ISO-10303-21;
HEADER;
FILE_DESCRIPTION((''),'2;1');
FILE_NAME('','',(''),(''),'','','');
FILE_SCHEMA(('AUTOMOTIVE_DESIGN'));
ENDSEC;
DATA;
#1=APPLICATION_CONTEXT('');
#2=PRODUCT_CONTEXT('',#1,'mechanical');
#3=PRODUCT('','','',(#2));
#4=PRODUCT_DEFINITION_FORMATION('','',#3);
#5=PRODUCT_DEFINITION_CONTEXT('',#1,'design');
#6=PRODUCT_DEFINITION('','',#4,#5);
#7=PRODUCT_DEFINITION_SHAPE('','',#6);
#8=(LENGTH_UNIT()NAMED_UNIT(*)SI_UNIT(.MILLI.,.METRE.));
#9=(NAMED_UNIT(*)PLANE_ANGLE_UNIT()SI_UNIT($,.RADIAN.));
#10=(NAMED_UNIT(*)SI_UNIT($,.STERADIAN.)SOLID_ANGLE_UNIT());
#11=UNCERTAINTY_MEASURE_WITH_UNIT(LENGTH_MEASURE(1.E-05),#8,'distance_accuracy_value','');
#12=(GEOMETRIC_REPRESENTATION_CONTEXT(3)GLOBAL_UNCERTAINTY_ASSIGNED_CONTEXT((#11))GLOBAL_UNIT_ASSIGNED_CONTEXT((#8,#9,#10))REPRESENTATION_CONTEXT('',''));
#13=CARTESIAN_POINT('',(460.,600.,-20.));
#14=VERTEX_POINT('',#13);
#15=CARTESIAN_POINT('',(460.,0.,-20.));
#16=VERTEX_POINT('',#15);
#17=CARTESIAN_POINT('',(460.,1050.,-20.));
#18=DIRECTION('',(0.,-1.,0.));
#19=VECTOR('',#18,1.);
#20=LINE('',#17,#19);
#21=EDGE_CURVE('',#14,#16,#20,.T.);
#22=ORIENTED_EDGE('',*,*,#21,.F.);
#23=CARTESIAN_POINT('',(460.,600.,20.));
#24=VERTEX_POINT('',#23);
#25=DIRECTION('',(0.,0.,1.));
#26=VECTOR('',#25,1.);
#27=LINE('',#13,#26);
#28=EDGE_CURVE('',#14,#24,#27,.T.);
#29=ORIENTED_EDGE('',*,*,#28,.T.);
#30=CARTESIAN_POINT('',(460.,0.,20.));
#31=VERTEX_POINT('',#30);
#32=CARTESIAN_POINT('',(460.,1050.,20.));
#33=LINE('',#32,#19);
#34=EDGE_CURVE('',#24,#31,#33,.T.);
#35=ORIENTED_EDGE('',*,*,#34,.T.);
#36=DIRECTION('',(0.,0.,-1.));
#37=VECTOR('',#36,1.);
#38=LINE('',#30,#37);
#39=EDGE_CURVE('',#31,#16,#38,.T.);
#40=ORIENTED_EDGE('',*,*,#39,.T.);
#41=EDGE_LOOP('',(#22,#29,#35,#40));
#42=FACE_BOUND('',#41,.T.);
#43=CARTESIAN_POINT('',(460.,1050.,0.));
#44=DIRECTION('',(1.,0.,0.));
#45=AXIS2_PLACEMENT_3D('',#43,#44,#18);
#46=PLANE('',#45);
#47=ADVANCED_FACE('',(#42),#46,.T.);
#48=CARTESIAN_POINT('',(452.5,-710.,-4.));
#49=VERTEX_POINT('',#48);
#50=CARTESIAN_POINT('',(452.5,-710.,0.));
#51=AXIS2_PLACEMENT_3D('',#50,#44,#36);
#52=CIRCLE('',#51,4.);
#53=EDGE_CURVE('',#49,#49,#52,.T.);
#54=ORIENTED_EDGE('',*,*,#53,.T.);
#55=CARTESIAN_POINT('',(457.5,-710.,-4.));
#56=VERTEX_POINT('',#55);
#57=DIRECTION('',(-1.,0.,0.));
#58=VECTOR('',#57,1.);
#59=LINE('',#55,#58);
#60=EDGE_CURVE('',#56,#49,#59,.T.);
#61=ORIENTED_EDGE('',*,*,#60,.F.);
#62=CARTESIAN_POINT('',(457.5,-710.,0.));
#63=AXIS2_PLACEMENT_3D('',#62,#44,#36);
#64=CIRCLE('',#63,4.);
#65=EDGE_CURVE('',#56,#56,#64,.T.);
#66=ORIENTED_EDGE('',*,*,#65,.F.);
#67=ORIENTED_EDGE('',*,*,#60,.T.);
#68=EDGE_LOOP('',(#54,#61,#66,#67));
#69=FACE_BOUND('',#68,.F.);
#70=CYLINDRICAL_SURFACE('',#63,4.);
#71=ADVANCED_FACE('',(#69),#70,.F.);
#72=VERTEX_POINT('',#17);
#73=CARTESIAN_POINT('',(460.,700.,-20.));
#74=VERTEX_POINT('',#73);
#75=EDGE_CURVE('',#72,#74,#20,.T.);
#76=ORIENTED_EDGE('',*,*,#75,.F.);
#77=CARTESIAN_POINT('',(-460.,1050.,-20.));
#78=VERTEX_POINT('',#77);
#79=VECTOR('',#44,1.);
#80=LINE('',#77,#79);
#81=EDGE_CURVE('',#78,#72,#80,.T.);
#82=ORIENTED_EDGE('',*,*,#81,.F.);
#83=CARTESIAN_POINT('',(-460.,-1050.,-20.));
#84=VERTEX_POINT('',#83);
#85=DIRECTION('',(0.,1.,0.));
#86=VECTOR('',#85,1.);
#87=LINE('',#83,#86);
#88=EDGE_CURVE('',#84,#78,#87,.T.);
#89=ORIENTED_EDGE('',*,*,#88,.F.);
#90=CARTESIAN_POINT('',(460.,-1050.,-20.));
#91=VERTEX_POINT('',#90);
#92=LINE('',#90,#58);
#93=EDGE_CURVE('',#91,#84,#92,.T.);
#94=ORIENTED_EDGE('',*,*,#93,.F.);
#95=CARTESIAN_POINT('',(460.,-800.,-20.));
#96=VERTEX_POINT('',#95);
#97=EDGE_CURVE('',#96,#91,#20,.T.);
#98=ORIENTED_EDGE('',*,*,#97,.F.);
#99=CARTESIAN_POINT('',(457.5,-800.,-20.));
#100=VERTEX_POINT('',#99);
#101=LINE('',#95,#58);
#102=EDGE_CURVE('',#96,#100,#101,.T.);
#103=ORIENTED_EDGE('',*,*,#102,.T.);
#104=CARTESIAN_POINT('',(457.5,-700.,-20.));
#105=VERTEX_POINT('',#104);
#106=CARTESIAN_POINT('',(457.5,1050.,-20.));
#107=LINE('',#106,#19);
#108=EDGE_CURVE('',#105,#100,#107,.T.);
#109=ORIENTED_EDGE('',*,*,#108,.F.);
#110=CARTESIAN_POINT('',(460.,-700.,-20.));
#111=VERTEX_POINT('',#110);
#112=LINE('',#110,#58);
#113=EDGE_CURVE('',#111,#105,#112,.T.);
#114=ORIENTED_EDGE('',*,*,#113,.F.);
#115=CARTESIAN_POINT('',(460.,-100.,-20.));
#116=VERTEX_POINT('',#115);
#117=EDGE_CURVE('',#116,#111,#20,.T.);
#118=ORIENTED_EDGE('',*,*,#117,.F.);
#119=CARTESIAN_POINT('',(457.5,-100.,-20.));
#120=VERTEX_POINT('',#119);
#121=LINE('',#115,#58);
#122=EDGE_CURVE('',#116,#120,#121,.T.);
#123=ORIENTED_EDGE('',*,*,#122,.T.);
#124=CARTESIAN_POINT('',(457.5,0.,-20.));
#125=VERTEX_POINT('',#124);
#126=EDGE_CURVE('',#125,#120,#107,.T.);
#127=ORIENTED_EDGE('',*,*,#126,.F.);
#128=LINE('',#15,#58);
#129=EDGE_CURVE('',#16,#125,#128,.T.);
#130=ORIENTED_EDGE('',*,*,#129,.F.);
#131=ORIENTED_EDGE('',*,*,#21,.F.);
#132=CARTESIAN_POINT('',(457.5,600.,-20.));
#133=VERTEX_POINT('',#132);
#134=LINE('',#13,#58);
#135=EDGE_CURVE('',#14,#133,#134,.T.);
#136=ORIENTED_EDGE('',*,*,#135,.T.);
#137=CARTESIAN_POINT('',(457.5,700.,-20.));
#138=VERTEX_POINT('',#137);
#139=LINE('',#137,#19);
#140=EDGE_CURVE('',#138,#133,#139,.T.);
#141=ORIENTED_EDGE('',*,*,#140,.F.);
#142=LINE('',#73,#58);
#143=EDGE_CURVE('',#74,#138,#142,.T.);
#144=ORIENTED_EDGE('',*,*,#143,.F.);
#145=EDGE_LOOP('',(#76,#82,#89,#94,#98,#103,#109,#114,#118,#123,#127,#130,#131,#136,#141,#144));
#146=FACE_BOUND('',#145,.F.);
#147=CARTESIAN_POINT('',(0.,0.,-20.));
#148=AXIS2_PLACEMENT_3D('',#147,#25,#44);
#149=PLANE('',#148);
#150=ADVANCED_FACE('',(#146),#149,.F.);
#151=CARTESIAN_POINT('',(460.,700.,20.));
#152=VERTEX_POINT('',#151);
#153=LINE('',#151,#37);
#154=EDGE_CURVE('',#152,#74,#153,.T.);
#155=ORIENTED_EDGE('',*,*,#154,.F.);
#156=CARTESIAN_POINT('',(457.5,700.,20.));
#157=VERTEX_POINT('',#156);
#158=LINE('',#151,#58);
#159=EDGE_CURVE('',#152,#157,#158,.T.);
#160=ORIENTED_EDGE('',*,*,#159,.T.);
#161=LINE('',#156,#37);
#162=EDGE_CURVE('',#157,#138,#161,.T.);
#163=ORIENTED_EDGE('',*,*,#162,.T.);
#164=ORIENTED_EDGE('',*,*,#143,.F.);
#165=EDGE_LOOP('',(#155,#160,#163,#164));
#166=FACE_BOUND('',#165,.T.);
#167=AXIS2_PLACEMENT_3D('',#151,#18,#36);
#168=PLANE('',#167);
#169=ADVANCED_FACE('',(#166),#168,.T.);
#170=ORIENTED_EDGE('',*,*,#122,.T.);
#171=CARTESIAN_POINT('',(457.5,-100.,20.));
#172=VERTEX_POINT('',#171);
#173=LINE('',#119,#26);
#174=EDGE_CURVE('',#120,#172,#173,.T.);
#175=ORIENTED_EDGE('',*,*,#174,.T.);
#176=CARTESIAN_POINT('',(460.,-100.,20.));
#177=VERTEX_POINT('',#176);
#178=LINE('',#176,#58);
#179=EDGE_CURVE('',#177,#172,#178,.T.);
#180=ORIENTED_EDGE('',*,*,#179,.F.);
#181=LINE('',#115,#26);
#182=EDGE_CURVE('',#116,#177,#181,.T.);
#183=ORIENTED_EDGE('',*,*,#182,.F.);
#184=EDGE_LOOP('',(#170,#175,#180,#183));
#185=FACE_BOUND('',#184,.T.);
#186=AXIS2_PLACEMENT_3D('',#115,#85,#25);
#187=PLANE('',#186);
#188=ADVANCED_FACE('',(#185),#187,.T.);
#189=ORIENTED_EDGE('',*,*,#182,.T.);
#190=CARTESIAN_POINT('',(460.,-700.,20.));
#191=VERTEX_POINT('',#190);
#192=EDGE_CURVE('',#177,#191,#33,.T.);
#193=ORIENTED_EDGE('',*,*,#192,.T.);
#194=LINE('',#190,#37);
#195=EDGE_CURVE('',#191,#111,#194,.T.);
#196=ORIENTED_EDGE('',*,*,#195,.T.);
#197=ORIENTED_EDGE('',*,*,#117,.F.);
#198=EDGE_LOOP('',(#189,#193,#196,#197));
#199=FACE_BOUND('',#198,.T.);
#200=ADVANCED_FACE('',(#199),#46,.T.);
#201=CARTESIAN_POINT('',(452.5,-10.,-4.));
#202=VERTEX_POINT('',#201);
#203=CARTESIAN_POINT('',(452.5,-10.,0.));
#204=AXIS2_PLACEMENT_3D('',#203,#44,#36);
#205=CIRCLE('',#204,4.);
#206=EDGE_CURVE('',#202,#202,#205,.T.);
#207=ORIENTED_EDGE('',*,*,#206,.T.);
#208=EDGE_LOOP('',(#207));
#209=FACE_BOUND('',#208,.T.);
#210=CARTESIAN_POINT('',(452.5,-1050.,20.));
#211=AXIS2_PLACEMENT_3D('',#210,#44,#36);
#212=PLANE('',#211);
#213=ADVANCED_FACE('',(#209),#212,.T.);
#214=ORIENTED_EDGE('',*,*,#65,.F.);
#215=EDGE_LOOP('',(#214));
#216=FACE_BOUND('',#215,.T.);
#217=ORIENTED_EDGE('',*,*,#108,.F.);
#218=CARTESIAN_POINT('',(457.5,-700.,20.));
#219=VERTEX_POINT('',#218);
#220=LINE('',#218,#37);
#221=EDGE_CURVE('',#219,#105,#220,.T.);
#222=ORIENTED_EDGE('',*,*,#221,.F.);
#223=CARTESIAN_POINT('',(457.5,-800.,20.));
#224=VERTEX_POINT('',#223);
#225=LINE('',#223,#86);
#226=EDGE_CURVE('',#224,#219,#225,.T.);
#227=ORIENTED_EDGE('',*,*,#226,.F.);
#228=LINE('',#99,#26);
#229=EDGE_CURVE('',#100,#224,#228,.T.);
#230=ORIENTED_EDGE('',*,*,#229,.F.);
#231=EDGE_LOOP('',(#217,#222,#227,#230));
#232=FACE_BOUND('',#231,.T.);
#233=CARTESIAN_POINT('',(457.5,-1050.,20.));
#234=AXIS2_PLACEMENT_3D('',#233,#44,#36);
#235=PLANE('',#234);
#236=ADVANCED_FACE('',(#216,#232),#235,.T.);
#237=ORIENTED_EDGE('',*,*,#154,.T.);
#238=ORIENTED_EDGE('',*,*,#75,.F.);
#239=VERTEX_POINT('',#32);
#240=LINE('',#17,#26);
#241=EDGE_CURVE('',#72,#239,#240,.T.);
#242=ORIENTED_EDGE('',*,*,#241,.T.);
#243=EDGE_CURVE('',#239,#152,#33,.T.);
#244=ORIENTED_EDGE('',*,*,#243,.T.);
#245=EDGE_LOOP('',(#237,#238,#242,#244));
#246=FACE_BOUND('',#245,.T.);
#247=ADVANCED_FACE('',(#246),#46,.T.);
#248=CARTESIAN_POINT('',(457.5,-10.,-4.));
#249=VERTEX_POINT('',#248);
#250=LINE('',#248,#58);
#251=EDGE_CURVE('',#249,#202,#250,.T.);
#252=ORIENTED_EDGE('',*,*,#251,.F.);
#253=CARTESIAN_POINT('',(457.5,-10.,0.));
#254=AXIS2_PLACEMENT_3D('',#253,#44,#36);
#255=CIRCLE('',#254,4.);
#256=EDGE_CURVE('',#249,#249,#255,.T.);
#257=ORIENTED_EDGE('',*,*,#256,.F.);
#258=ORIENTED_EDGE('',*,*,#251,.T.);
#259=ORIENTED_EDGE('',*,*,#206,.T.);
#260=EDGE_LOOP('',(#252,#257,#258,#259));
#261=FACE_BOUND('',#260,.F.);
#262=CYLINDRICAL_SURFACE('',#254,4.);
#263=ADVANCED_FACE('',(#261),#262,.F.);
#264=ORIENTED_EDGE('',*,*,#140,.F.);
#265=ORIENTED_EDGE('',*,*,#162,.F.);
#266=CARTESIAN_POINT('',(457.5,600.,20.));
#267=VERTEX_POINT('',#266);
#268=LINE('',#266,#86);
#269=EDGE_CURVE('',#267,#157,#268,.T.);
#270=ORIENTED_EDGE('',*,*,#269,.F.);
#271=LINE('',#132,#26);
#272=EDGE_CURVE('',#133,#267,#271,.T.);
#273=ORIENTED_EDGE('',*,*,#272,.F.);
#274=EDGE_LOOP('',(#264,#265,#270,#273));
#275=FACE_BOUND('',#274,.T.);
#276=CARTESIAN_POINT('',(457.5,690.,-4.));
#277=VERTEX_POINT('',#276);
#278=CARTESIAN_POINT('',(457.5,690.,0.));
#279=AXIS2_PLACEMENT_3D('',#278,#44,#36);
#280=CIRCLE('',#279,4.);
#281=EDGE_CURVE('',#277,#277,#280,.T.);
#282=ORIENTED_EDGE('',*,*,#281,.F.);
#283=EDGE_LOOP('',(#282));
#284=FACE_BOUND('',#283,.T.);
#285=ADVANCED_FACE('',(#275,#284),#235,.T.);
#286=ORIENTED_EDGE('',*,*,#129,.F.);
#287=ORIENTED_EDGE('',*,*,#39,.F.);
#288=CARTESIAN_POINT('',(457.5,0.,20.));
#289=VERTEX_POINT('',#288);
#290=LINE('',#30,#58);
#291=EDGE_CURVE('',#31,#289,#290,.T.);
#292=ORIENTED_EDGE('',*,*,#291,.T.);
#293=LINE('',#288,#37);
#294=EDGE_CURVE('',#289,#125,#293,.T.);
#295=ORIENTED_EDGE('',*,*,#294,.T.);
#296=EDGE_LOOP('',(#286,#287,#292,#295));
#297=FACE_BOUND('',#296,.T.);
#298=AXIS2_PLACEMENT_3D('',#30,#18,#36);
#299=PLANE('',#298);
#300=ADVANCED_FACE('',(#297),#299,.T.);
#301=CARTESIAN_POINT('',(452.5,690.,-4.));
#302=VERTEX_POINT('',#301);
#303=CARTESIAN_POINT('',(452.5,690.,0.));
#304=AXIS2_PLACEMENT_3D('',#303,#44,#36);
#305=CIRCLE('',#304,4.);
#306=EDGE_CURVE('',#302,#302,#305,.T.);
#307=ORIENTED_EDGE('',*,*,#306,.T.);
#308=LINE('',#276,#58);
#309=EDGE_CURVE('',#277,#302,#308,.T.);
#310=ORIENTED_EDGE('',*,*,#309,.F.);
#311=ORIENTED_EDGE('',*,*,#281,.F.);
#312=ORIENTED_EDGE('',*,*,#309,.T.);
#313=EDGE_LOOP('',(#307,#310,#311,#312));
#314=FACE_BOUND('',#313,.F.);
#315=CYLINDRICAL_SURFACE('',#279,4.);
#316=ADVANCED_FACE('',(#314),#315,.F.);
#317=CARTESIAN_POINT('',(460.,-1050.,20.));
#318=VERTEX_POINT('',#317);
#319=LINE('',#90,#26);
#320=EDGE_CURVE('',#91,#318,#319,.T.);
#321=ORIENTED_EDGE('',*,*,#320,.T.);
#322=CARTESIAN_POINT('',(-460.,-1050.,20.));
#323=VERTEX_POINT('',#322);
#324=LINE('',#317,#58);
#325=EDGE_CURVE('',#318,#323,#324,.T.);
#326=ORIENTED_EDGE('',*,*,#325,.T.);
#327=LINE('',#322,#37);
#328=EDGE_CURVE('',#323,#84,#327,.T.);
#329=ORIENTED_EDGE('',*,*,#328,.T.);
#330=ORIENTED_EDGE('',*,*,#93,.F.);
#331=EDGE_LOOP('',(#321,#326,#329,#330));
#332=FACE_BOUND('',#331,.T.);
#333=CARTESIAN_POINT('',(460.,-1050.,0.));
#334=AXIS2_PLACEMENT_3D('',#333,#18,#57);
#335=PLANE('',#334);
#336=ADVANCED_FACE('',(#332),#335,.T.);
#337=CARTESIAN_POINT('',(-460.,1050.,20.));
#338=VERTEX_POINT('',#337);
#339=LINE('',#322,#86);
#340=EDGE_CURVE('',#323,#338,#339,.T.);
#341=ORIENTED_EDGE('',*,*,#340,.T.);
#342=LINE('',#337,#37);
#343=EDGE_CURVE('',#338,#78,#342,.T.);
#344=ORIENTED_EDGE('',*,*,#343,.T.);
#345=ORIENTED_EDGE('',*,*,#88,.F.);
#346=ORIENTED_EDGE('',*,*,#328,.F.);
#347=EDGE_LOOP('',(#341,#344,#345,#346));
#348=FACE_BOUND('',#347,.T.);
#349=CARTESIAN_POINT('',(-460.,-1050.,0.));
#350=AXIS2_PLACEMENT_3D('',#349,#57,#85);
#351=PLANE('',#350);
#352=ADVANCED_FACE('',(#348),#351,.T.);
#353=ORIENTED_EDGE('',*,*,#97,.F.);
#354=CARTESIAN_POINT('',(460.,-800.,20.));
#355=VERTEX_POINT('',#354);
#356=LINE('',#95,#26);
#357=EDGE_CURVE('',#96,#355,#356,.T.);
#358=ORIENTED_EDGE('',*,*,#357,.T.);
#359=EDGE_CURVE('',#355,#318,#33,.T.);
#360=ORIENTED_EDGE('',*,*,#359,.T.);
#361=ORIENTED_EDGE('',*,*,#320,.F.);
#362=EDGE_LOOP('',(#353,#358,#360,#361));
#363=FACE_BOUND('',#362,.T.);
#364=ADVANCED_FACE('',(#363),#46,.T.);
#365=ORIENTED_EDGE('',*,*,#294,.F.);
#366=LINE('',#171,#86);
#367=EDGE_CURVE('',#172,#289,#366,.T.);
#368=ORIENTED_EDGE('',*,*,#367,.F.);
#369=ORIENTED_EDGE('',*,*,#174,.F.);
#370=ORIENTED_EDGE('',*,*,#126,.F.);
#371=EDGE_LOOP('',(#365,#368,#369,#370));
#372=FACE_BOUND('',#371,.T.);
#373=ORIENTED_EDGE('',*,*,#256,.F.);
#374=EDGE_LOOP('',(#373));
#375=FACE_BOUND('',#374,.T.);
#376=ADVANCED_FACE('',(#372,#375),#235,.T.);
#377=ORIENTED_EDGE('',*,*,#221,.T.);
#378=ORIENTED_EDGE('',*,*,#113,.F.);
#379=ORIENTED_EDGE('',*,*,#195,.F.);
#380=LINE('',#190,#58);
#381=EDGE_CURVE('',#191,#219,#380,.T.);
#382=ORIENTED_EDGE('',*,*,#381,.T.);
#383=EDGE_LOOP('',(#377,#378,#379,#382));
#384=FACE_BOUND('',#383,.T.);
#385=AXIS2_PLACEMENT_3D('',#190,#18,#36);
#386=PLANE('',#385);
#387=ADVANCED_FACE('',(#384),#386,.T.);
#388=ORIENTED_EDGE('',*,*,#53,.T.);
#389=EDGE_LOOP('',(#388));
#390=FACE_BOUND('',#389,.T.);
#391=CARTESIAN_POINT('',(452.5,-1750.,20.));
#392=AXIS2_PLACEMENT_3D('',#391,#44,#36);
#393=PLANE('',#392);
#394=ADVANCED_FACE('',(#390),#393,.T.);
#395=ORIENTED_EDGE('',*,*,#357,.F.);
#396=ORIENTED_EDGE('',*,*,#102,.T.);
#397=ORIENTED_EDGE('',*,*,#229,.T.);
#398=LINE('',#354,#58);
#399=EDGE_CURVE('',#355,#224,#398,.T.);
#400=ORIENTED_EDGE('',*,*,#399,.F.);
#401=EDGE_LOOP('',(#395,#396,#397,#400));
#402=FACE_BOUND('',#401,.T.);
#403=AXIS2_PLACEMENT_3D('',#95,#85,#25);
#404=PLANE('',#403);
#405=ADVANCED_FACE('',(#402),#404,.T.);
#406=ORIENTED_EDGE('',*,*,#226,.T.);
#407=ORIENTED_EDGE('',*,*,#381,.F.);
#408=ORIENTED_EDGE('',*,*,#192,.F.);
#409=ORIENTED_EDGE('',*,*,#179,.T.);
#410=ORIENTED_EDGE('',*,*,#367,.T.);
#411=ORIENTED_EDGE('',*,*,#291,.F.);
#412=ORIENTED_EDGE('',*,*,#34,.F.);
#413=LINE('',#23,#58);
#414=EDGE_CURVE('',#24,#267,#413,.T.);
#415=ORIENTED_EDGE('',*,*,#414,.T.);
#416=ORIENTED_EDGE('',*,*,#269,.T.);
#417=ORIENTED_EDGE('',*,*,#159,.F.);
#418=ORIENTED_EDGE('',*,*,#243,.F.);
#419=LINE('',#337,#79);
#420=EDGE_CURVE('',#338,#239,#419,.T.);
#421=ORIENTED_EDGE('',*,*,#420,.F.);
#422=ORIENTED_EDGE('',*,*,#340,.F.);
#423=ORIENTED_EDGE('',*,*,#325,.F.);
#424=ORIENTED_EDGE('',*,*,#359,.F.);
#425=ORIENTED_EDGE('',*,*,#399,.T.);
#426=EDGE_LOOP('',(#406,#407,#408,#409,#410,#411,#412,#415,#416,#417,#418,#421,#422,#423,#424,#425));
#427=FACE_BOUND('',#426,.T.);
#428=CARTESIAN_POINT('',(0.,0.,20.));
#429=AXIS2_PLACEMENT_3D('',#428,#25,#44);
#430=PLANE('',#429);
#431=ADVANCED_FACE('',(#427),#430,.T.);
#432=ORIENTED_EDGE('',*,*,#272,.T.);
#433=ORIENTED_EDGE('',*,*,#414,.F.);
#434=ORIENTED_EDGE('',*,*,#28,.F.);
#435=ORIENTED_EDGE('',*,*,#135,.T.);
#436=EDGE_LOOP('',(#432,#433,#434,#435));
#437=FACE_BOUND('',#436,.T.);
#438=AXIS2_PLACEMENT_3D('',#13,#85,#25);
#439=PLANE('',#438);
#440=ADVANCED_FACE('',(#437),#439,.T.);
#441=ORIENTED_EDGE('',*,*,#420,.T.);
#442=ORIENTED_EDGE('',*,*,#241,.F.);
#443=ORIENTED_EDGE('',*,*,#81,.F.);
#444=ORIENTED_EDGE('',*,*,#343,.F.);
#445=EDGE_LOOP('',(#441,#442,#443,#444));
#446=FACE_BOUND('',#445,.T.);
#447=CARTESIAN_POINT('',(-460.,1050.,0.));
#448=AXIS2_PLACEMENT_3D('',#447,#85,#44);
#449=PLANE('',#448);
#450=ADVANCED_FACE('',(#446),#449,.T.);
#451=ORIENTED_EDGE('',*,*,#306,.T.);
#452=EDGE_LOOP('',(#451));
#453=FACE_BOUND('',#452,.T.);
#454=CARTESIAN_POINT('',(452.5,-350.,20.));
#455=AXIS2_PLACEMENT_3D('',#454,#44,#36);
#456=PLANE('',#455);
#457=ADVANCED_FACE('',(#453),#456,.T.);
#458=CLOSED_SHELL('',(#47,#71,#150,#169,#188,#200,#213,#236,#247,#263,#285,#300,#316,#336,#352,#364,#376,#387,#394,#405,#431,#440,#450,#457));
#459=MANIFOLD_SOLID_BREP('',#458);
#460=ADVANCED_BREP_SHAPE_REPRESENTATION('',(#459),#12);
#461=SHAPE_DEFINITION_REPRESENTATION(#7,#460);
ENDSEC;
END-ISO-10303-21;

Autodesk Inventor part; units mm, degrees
ref_plane "YZ Plane" through (0, 0, 0) normal (1, 0, 0) x (0, 1, 0)
ref_plane "XZ Plane" through (0, 0, 0) normal (0, 1, 0) x (-1, 0, 0)
ref_plane "XY Plane" through (0, 0, 0) normal (0, 0, 1) x (1, 0, 0)
sketch "Sketch1" plane through (0, 0, 0) normal (0, 0, 1) x (1, 0, 0)
  line L0 (460, -1050) -> (-460, -1050)
  line L1 (-460, -1050) -> (-460, 1050)
  line L2 (-460, 1050) -> (460, 1050)
  line L3 (460, 1050) -> (460, -1050)
  line L4 (460, -1050) -> (-460, 1050) construction
  line L5 (-460, -1050) -> (460, 1050) construction
  point P0 (0, 0)
  dimension "d0" = 2100
  dimension "d1" = 920
extrude "Extrusion1" add sketch "Sketch1" along normal mid plane 40
sketch "Sketch2" plane through (460, -1050, 20) normal (1, 0, 0) x (0, 0, -1)
  line L0 (40, 1650) -> (0, 1650)
  line L1 (0, 1650) -> (0, 1750)
  line L2 (0, 1750) -> (40, 1750)
  line L3 (40, 1750) -> (40, 1650)
  line L4 (40, 1650) -> (0, 1750) construction
  line L5 (0, 1650) -> (40, 1750) construction
  line L6 (40, 2100) -> (40, 0) projected
  line L7 (0, 2100) -> (40, 2100) projected
  line L8 (40, 950) -> (0, 950)
  line L9 (0, 950) -> (0, 1050)
  line L10 (40, 1050) -> (40, 950)
  line L11 (0, 1050) -> (40, 1050)
  line L12 (40, 250) -> (0, 250)
  line L13 (0, 250) -> (0, 350)
  line L14 (40, 350) -> (40, 250)
  line L15 (0, 350) -> (40, 350)
  point P0 (20, 1050)
  point P1 (20, 1700)
  point P2 (40, 250)
  point P3 (40, 350)
  point P4 (40, 950)
  point P5 (40, 1050)
  dimension "d4" = 100
  dimension "d5" = 40
  dimension "d9" = 700
  dimension "d21" = 350
extrude "Extrusion2" cut sketch "Sketch2" against normal blind 2.5
sketch "Sketch3" plane through (457.5, -1050, 20) normal (1, 0, 0) x (0, 0, -1)
  circle A0 centre (20, 1040) radius 4
  line L0 (0, 1050) -> (40, 1050) projected
  line L1 (40, 1050) -> (40, 950) projected
  point P0 (20, 1050)
  dimension "d16" = 8
  dimension "d17" = 10
  dimension "d18" = 20
extrude "Extrusion3" cut sketch "Sketch3" against normal blind 5
pattern_linear "Rectangular Pattern1" count 2 spacing 700 along (0, 1, 0) count 2 spacing 700 along (0, -1, 0) of "Extrusion3"
properties part number "Door" material "Wood (Oak)"
